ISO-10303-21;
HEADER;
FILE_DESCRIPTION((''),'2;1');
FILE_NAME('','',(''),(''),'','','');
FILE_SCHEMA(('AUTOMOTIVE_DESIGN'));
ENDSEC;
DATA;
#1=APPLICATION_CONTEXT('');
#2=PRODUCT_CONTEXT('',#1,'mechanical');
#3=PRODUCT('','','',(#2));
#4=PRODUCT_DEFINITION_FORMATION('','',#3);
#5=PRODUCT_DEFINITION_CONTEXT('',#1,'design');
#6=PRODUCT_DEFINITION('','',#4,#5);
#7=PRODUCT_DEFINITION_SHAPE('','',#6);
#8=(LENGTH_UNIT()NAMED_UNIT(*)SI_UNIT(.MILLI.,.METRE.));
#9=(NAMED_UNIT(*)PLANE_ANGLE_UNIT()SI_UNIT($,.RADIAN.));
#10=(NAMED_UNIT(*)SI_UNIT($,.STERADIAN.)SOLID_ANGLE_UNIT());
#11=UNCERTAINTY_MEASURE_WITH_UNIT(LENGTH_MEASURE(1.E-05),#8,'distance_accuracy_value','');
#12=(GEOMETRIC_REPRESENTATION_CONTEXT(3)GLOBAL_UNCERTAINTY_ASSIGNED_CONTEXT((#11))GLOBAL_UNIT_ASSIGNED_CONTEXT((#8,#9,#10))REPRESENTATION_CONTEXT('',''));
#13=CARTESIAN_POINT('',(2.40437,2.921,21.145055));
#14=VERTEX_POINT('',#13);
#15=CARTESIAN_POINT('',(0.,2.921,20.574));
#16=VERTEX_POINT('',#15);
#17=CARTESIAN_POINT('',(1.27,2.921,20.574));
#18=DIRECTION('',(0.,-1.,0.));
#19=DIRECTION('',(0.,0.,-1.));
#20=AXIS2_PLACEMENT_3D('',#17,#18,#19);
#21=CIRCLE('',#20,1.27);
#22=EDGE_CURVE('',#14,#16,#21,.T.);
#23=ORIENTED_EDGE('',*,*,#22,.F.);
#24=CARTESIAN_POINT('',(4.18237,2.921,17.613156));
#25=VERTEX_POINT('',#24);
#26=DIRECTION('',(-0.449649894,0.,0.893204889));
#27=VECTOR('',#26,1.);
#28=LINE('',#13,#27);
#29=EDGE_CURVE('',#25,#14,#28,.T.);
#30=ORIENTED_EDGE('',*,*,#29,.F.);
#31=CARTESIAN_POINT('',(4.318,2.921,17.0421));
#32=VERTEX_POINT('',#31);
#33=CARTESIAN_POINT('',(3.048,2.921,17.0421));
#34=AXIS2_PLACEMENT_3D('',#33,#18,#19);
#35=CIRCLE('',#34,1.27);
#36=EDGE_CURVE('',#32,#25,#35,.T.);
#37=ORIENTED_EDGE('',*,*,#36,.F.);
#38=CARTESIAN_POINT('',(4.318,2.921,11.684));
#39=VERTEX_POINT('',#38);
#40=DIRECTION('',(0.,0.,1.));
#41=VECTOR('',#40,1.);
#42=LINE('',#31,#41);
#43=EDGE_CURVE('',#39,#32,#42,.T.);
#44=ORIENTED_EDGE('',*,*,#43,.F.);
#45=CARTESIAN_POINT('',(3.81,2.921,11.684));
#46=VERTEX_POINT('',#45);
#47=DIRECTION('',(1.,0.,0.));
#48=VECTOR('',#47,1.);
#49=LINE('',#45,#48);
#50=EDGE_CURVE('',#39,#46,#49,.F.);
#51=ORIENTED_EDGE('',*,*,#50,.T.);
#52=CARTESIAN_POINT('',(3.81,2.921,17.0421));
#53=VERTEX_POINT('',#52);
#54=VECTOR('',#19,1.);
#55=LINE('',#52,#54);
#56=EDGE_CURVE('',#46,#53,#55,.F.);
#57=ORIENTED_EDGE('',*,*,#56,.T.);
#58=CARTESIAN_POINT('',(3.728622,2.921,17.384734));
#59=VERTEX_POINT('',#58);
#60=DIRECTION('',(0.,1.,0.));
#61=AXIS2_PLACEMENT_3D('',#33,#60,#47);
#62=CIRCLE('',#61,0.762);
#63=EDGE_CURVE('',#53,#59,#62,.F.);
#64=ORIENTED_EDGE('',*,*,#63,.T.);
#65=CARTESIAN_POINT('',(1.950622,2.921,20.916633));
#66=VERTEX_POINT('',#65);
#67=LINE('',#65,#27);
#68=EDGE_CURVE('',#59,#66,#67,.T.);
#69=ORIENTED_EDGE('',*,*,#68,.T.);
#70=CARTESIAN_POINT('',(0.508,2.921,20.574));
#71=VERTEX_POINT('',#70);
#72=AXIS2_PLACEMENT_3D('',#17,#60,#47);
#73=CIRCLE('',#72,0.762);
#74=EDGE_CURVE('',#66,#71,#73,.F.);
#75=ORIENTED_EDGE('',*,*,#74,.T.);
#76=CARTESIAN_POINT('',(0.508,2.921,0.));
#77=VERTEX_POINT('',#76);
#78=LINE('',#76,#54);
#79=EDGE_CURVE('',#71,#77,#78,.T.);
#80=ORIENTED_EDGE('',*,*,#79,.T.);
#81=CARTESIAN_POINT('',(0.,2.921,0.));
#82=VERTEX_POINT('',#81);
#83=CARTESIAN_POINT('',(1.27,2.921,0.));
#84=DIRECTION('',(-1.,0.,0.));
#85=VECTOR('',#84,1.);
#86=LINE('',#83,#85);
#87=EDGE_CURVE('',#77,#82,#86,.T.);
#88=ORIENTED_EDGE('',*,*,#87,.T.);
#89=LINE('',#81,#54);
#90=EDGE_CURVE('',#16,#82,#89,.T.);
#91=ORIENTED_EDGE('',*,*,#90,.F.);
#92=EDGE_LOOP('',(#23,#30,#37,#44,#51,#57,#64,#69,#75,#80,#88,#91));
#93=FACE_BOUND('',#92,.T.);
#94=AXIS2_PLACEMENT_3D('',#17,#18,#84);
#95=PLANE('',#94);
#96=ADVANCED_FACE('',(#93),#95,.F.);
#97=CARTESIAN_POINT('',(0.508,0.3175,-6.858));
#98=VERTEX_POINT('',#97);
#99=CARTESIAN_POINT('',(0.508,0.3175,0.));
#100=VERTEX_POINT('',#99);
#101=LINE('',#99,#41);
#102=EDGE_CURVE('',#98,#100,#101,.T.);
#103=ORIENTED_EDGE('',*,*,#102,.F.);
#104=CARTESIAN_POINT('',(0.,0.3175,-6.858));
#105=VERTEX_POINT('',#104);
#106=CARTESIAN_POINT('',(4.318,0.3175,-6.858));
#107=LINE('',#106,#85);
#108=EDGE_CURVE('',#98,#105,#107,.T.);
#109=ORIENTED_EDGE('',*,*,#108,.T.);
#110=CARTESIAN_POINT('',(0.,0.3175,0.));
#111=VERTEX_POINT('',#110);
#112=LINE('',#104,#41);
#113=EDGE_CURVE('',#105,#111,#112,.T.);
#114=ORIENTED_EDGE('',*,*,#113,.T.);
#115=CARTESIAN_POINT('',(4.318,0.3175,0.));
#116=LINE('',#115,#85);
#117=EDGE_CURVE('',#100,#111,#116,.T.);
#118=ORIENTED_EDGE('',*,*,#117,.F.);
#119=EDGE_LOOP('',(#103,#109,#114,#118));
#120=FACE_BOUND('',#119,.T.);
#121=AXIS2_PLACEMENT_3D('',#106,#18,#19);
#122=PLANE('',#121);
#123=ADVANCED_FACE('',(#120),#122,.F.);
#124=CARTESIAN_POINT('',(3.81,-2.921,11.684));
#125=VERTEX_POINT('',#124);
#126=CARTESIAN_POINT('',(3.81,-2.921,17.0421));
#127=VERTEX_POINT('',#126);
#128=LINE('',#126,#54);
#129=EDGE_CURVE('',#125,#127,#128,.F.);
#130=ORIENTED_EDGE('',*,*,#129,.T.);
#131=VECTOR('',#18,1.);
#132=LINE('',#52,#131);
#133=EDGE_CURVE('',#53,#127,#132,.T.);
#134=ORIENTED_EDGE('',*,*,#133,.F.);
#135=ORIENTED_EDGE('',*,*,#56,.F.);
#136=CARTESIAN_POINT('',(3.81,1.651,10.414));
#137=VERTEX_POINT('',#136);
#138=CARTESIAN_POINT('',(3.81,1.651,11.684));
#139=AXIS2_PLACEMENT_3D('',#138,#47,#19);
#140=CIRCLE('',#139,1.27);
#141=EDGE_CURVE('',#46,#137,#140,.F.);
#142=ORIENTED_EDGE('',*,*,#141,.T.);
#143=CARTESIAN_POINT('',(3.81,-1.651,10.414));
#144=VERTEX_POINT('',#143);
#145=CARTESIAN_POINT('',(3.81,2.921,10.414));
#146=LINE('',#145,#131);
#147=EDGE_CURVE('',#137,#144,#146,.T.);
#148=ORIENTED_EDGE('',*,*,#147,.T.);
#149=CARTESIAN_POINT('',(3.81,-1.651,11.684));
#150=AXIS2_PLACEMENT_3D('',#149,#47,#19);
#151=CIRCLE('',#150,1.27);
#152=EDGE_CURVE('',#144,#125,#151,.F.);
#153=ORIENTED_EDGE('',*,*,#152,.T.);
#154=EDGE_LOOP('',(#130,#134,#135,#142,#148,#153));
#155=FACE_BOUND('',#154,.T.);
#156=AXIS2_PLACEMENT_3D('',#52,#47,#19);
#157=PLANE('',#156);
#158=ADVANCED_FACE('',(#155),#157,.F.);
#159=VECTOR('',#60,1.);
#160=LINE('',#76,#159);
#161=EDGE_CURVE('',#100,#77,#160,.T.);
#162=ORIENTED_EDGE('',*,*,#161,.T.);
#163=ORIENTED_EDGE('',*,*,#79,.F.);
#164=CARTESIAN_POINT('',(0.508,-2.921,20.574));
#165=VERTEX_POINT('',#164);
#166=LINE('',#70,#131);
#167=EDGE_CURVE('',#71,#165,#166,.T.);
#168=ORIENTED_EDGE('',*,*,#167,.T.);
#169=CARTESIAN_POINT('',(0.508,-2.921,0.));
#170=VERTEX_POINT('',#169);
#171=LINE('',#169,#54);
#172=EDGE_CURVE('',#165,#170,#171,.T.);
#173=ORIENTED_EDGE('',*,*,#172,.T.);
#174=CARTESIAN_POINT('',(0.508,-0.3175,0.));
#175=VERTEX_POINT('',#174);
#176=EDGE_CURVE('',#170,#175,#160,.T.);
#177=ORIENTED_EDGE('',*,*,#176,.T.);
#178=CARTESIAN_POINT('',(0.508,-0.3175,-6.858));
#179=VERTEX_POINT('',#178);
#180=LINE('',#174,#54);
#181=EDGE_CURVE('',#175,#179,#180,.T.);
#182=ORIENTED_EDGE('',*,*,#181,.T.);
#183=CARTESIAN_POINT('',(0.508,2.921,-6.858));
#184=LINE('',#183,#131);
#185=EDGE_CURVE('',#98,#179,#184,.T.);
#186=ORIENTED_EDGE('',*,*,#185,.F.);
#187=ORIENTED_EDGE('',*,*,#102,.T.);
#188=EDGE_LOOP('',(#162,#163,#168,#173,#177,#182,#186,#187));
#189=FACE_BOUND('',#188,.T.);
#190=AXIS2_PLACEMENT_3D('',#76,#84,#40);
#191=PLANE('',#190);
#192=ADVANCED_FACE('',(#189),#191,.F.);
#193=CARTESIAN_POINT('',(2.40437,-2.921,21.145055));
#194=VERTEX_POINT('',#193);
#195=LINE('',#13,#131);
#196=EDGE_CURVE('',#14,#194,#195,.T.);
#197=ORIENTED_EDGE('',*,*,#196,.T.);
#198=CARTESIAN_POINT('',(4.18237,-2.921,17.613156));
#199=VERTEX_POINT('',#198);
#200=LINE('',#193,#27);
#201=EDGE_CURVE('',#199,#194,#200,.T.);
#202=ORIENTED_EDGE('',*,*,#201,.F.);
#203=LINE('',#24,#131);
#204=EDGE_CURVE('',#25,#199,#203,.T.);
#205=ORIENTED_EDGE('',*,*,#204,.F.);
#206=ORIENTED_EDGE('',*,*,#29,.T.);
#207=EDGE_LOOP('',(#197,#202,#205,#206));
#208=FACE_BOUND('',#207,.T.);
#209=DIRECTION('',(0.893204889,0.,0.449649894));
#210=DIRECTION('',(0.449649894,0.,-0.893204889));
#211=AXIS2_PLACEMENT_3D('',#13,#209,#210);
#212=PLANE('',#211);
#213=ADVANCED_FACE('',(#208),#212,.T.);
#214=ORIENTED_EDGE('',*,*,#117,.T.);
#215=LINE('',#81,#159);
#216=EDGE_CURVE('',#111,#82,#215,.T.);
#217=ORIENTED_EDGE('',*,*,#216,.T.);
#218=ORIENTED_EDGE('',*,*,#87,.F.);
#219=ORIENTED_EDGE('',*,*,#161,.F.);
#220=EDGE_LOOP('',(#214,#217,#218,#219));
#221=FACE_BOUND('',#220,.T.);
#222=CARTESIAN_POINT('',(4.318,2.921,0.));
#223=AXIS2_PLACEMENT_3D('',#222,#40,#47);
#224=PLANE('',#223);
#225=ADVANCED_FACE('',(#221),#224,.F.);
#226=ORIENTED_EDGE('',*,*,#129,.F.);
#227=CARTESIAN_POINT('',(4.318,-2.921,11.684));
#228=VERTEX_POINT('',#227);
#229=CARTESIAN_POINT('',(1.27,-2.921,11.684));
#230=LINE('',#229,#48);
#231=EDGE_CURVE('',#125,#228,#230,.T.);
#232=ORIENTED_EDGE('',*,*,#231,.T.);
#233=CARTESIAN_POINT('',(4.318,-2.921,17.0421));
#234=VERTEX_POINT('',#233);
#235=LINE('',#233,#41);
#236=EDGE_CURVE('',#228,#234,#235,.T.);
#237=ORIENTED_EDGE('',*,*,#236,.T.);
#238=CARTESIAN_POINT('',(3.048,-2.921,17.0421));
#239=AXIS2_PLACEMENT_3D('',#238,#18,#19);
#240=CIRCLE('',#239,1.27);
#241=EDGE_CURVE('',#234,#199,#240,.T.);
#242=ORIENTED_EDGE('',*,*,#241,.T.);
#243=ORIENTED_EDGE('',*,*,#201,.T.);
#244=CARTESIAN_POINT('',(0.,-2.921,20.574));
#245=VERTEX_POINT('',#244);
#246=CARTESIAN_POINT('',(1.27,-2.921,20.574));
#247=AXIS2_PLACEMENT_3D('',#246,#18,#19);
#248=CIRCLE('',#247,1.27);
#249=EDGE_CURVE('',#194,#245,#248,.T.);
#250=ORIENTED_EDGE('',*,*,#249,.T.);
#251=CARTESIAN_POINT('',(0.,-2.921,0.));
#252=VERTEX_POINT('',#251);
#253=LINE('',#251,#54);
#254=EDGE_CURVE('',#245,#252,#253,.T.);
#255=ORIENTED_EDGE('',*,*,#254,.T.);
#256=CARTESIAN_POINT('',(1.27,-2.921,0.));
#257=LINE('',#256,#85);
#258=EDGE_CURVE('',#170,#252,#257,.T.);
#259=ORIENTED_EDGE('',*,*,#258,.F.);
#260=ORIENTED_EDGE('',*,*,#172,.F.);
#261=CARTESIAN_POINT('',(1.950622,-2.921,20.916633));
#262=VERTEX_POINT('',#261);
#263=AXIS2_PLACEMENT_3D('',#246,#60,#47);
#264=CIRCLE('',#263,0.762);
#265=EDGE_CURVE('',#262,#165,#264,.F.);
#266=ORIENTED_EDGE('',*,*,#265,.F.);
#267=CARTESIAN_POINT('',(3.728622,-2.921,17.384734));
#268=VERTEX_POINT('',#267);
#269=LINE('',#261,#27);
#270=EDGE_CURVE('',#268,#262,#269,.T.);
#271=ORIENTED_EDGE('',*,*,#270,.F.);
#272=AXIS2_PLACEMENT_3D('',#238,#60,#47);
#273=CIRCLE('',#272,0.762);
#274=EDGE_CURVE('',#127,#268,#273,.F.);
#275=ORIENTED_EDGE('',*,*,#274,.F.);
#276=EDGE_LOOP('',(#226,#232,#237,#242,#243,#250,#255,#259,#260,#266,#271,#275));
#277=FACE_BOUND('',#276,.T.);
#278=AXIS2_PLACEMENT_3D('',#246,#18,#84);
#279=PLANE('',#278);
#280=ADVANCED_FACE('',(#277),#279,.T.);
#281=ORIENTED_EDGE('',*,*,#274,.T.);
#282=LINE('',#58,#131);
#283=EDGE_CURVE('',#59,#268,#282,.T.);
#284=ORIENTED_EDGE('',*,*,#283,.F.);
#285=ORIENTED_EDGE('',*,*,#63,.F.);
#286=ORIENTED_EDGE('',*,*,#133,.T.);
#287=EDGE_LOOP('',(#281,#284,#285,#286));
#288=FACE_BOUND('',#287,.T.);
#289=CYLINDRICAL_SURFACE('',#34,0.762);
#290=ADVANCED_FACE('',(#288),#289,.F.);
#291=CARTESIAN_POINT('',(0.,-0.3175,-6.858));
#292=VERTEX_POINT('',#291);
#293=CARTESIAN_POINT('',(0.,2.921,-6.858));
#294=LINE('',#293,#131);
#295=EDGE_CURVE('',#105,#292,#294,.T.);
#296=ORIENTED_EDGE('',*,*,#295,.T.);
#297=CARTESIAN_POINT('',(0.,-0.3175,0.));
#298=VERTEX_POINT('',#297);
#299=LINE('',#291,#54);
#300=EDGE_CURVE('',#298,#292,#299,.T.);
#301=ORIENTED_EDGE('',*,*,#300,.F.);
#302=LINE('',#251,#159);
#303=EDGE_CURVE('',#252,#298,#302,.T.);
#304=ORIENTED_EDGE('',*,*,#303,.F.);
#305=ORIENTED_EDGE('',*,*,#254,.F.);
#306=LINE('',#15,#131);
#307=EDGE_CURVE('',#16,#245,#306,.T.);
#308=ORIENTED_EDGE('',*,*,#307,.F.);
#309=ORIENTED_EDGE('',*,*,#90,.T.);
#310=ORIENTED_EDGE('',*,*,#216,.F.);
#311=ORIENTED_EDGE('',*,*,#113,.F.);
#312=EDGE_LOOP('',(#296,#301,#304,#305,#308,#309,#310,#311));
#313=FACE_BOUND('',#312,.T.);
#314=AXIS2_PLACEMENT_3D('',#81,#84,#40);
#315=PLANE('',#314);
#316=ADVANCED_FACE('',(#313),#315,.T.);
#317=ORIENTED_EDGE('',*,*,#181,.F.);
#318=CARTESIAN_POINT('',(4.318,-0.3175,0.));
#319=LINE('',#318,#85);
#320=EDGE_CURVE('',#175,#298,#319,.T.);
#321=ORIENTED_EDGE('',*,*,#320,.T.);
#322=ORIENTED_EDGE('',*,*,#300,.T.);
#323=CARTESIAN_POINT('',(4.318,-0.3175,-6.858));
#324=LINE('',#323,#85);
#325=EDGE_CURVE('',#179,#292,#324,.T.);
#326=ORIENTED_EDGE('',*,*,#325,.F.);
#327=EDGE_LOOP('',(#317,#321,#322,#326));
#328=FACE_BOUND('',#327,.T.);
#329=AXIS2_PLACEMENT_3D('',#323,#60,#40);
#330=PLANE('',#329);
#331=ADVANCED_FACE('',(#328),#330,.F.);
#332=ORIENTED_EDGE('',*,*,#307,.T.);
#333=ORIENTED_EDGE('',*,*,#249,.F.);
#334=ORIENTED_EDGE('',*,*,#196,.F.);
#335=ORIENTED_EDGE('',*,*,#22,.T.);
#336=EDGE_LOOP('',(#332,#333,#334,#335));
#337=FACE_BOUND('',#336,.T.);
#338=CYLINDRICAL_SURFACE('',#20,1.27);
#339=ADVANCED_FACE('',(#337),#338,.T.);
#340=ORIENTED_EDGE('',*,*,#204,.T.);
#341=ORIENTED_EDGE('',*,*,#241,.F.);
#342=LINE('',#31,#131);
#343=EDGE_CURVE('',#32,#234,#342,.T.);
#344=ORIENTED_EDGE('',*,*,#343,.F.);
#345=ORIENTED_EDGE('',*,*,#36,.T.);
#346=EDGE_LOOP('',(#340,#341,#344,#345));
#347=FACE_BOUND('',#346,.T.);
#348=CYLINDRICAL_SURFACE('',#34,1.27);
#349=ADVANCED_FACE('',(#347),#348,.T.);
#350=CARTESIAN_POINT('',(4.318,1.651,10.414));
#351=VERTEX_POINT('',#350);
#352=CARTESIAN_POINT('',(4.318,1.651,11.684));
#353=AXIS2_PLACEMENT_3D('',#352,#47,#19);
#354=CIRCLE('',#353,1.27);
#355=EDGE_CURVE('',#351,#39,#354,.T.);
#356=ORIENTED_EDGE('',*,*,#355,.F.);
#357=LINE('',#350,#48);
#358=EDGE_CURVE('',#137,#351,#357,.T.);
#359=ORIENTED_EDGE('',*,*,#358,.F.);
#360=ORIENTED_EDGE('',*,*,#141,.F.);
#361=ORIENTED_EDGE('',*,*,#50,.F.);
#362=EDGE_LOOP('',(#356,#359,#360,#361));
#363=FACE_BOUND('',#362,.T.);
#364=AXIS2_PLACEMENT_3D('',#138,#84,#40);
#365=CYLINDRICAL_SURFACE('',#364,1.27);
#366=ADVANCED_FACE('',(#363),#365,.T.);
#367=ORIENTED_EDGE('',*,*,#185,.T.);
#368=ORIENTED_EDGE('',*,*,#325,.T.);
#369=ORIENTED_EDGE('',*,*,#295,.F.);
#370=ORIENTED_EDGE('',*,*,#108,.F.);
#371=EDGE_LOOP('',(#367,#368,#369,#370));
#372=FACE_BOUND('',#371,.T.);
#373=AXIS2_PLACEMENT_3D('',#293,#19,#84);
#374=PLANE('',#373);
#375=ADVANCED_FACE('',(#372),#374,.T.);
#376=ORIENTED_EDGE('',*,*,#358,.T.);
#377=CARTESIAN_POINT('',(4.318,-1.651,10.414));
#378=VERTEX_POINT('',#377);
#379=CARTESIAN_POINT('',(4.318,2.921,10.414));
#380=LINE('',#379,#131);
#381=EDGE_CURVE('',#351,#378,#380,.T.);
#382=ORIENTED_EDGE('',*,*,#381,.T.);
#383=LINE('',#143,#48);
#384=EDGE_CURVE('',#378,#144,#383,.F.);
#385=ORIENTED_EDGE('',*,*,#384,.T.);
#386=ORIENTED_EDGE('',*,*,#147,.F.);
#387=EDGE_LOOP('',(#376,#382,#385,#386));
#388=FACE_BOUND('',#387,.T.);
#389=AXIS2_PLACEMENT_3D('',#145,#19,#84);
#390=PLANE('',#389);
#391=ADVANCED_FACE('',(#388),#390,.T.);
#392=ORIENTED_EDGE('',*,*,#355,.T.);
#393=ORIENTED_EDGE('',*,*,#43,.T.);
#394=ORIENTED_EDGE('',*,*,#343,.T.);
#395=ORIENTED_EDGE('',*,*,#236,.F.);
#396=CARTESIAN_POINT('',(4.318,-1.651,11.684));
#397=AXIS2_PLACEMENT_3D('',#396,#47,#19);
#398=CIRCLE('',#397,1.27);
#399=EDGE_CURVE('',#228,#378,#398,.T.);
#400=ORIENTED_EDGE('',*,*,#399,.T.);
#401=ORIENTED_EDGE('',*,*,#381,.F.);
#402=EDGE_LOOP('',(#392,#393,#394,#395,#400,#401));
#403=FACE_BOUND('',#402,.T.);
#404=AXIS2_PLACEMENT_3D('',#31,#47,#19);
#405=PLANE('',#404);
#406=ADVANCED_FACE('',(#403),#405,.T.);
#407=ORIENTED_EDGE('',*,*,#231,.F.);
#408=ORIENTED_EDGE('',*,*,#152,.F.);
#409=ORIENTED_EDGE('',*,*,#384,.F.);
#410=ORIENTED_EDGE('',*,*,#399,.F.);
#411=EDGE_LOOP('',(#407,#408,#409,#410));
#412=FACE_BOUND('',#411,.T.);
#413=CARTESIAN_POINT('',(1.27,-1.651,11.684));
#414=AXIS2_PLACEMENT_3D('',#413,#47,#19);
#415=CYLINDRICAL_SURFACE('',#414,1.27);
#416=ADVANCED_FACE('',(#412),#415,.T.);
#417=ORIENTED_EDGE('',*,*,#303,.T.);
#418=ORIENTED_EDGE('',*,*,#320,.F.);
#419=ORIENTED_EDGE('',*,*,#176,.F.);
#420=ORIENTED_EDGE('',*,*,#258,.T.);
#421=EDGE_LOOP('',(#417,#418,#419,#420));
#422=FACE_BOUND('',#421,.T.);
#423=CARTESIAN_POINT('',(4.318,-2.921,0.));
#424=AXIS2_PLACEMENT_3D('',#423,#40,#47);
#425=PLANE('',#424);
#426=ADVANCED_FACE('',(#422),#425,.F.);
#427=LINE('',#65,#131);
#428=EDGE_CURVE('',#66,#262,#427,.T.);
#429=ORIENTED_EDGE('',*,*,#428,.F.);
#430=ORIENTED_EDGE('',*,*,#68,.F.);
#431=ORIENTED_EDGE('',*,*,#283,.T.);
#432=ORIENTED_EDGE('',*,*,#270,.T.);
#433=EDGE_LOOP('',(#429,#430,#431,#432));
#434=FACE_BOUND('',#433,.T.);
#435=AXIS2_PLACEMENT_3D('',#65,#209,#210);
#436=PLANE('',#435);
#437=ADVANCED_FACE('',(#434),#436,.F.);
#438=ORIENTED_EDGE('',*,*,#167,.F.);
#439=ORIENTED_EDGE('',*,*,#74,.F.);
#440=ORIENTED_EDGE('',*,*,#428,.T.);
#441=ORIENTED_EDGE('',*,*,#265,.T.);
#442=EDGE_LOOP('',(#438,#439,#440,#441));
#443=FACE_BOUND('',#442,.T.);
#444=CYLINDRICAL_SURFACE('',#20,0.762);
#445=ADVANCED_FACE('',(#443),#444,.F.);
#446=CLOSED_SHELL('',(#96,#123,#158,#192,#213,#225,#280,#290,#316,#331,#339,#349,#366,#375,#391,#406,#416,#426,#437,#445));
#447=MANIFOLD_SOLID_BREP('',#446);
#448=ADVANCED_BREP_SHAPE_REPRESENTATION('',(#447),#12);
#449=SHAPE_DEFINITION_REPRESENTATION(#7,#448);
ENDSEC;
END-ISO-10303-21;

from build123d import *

# Parameters (mm, degrees)
EXTRUDE_THIN1_DEPTH = 2.921
FILLET1_R           = 1.27
SKETCH2_W           = 6.858
SKETCH2_H           = 2.6035
CUT_EXTRUDE1_DEPTH  = 23.45746426


with BuildPart() as part:
    # Sketch1 → Extrude-Thin1 (new, symmetric)
    with BuildSketch(Plane(origin=(0, 0, 0), x_dir=(1, 0, 0), z_dir=(0, 1, 0))):
        with BuildLine():
            Line((0, 6.858), (0, 0))
            Line((0, 0), (0, -20.574))
            ThreePointArc((0, -20.574), (0.976529529, -21.809627404), (2.404370209, -21.145055365))
            Line((2.404370209, -21.145055365), (4.182370209, -17.613155736))
            ThreePointArc((4.182370209, -17.613155736), (4.283627404, -17.335570842), (4.318, -17.042100371))
            Line((4.318, -17.042100371), (4.318, -10.414))
            Line((4.318, -10.414), (3.81, -10.414))
            Line((3.81, -10.414), (3.81, -17.042100371))
            ThreePointArc((3.81, -17.042100371), (3.789376443, -17.218182654), (3.728622125, -17.38473359))
            Line((3.728622125, -17.38473359), (1.950622125, -20.916633219))
            ThreePointArc((1.950622125, -20.916633219), (1.093917717, -21.315376443), (0.508, -20.574))
            Line((0.508, -20.574), (0.508, 0))
            Line((0.508, 0), (0.508, 6.858))
            Line((0.508, 6.858), (0, 6.858))
        make_face()
    extrude(amount=EXTRUDE_THIN1_DEPTH, both=True)

    # Fillet1
    fillet1_edges = [part.edges().sort_by_distance(p)[0] for p in [
        (4.064, -2.921, 10.414),
        (4.064, 2.921, 10.414),
    ]]
    fillet(fillet1_edges, radius=FILLET1_R)

    # Sketch2 → Cut-Extrude1 (cut, through all)
    with BuildSketch(Plane.ZY):
        with Locations((-3.429, 1.61925)):
            Rectangle(SKETCH2_W, SKETCH2_H)
        with Locations((-3.429, -1.61925)):
            Rectangle(SKETCH2_W, SKETCH2_H)
    extrude(amount=-CUT_EXTRUDE1_DEPTH, mode=Mode.SUBTRACT)


solid = part.part
